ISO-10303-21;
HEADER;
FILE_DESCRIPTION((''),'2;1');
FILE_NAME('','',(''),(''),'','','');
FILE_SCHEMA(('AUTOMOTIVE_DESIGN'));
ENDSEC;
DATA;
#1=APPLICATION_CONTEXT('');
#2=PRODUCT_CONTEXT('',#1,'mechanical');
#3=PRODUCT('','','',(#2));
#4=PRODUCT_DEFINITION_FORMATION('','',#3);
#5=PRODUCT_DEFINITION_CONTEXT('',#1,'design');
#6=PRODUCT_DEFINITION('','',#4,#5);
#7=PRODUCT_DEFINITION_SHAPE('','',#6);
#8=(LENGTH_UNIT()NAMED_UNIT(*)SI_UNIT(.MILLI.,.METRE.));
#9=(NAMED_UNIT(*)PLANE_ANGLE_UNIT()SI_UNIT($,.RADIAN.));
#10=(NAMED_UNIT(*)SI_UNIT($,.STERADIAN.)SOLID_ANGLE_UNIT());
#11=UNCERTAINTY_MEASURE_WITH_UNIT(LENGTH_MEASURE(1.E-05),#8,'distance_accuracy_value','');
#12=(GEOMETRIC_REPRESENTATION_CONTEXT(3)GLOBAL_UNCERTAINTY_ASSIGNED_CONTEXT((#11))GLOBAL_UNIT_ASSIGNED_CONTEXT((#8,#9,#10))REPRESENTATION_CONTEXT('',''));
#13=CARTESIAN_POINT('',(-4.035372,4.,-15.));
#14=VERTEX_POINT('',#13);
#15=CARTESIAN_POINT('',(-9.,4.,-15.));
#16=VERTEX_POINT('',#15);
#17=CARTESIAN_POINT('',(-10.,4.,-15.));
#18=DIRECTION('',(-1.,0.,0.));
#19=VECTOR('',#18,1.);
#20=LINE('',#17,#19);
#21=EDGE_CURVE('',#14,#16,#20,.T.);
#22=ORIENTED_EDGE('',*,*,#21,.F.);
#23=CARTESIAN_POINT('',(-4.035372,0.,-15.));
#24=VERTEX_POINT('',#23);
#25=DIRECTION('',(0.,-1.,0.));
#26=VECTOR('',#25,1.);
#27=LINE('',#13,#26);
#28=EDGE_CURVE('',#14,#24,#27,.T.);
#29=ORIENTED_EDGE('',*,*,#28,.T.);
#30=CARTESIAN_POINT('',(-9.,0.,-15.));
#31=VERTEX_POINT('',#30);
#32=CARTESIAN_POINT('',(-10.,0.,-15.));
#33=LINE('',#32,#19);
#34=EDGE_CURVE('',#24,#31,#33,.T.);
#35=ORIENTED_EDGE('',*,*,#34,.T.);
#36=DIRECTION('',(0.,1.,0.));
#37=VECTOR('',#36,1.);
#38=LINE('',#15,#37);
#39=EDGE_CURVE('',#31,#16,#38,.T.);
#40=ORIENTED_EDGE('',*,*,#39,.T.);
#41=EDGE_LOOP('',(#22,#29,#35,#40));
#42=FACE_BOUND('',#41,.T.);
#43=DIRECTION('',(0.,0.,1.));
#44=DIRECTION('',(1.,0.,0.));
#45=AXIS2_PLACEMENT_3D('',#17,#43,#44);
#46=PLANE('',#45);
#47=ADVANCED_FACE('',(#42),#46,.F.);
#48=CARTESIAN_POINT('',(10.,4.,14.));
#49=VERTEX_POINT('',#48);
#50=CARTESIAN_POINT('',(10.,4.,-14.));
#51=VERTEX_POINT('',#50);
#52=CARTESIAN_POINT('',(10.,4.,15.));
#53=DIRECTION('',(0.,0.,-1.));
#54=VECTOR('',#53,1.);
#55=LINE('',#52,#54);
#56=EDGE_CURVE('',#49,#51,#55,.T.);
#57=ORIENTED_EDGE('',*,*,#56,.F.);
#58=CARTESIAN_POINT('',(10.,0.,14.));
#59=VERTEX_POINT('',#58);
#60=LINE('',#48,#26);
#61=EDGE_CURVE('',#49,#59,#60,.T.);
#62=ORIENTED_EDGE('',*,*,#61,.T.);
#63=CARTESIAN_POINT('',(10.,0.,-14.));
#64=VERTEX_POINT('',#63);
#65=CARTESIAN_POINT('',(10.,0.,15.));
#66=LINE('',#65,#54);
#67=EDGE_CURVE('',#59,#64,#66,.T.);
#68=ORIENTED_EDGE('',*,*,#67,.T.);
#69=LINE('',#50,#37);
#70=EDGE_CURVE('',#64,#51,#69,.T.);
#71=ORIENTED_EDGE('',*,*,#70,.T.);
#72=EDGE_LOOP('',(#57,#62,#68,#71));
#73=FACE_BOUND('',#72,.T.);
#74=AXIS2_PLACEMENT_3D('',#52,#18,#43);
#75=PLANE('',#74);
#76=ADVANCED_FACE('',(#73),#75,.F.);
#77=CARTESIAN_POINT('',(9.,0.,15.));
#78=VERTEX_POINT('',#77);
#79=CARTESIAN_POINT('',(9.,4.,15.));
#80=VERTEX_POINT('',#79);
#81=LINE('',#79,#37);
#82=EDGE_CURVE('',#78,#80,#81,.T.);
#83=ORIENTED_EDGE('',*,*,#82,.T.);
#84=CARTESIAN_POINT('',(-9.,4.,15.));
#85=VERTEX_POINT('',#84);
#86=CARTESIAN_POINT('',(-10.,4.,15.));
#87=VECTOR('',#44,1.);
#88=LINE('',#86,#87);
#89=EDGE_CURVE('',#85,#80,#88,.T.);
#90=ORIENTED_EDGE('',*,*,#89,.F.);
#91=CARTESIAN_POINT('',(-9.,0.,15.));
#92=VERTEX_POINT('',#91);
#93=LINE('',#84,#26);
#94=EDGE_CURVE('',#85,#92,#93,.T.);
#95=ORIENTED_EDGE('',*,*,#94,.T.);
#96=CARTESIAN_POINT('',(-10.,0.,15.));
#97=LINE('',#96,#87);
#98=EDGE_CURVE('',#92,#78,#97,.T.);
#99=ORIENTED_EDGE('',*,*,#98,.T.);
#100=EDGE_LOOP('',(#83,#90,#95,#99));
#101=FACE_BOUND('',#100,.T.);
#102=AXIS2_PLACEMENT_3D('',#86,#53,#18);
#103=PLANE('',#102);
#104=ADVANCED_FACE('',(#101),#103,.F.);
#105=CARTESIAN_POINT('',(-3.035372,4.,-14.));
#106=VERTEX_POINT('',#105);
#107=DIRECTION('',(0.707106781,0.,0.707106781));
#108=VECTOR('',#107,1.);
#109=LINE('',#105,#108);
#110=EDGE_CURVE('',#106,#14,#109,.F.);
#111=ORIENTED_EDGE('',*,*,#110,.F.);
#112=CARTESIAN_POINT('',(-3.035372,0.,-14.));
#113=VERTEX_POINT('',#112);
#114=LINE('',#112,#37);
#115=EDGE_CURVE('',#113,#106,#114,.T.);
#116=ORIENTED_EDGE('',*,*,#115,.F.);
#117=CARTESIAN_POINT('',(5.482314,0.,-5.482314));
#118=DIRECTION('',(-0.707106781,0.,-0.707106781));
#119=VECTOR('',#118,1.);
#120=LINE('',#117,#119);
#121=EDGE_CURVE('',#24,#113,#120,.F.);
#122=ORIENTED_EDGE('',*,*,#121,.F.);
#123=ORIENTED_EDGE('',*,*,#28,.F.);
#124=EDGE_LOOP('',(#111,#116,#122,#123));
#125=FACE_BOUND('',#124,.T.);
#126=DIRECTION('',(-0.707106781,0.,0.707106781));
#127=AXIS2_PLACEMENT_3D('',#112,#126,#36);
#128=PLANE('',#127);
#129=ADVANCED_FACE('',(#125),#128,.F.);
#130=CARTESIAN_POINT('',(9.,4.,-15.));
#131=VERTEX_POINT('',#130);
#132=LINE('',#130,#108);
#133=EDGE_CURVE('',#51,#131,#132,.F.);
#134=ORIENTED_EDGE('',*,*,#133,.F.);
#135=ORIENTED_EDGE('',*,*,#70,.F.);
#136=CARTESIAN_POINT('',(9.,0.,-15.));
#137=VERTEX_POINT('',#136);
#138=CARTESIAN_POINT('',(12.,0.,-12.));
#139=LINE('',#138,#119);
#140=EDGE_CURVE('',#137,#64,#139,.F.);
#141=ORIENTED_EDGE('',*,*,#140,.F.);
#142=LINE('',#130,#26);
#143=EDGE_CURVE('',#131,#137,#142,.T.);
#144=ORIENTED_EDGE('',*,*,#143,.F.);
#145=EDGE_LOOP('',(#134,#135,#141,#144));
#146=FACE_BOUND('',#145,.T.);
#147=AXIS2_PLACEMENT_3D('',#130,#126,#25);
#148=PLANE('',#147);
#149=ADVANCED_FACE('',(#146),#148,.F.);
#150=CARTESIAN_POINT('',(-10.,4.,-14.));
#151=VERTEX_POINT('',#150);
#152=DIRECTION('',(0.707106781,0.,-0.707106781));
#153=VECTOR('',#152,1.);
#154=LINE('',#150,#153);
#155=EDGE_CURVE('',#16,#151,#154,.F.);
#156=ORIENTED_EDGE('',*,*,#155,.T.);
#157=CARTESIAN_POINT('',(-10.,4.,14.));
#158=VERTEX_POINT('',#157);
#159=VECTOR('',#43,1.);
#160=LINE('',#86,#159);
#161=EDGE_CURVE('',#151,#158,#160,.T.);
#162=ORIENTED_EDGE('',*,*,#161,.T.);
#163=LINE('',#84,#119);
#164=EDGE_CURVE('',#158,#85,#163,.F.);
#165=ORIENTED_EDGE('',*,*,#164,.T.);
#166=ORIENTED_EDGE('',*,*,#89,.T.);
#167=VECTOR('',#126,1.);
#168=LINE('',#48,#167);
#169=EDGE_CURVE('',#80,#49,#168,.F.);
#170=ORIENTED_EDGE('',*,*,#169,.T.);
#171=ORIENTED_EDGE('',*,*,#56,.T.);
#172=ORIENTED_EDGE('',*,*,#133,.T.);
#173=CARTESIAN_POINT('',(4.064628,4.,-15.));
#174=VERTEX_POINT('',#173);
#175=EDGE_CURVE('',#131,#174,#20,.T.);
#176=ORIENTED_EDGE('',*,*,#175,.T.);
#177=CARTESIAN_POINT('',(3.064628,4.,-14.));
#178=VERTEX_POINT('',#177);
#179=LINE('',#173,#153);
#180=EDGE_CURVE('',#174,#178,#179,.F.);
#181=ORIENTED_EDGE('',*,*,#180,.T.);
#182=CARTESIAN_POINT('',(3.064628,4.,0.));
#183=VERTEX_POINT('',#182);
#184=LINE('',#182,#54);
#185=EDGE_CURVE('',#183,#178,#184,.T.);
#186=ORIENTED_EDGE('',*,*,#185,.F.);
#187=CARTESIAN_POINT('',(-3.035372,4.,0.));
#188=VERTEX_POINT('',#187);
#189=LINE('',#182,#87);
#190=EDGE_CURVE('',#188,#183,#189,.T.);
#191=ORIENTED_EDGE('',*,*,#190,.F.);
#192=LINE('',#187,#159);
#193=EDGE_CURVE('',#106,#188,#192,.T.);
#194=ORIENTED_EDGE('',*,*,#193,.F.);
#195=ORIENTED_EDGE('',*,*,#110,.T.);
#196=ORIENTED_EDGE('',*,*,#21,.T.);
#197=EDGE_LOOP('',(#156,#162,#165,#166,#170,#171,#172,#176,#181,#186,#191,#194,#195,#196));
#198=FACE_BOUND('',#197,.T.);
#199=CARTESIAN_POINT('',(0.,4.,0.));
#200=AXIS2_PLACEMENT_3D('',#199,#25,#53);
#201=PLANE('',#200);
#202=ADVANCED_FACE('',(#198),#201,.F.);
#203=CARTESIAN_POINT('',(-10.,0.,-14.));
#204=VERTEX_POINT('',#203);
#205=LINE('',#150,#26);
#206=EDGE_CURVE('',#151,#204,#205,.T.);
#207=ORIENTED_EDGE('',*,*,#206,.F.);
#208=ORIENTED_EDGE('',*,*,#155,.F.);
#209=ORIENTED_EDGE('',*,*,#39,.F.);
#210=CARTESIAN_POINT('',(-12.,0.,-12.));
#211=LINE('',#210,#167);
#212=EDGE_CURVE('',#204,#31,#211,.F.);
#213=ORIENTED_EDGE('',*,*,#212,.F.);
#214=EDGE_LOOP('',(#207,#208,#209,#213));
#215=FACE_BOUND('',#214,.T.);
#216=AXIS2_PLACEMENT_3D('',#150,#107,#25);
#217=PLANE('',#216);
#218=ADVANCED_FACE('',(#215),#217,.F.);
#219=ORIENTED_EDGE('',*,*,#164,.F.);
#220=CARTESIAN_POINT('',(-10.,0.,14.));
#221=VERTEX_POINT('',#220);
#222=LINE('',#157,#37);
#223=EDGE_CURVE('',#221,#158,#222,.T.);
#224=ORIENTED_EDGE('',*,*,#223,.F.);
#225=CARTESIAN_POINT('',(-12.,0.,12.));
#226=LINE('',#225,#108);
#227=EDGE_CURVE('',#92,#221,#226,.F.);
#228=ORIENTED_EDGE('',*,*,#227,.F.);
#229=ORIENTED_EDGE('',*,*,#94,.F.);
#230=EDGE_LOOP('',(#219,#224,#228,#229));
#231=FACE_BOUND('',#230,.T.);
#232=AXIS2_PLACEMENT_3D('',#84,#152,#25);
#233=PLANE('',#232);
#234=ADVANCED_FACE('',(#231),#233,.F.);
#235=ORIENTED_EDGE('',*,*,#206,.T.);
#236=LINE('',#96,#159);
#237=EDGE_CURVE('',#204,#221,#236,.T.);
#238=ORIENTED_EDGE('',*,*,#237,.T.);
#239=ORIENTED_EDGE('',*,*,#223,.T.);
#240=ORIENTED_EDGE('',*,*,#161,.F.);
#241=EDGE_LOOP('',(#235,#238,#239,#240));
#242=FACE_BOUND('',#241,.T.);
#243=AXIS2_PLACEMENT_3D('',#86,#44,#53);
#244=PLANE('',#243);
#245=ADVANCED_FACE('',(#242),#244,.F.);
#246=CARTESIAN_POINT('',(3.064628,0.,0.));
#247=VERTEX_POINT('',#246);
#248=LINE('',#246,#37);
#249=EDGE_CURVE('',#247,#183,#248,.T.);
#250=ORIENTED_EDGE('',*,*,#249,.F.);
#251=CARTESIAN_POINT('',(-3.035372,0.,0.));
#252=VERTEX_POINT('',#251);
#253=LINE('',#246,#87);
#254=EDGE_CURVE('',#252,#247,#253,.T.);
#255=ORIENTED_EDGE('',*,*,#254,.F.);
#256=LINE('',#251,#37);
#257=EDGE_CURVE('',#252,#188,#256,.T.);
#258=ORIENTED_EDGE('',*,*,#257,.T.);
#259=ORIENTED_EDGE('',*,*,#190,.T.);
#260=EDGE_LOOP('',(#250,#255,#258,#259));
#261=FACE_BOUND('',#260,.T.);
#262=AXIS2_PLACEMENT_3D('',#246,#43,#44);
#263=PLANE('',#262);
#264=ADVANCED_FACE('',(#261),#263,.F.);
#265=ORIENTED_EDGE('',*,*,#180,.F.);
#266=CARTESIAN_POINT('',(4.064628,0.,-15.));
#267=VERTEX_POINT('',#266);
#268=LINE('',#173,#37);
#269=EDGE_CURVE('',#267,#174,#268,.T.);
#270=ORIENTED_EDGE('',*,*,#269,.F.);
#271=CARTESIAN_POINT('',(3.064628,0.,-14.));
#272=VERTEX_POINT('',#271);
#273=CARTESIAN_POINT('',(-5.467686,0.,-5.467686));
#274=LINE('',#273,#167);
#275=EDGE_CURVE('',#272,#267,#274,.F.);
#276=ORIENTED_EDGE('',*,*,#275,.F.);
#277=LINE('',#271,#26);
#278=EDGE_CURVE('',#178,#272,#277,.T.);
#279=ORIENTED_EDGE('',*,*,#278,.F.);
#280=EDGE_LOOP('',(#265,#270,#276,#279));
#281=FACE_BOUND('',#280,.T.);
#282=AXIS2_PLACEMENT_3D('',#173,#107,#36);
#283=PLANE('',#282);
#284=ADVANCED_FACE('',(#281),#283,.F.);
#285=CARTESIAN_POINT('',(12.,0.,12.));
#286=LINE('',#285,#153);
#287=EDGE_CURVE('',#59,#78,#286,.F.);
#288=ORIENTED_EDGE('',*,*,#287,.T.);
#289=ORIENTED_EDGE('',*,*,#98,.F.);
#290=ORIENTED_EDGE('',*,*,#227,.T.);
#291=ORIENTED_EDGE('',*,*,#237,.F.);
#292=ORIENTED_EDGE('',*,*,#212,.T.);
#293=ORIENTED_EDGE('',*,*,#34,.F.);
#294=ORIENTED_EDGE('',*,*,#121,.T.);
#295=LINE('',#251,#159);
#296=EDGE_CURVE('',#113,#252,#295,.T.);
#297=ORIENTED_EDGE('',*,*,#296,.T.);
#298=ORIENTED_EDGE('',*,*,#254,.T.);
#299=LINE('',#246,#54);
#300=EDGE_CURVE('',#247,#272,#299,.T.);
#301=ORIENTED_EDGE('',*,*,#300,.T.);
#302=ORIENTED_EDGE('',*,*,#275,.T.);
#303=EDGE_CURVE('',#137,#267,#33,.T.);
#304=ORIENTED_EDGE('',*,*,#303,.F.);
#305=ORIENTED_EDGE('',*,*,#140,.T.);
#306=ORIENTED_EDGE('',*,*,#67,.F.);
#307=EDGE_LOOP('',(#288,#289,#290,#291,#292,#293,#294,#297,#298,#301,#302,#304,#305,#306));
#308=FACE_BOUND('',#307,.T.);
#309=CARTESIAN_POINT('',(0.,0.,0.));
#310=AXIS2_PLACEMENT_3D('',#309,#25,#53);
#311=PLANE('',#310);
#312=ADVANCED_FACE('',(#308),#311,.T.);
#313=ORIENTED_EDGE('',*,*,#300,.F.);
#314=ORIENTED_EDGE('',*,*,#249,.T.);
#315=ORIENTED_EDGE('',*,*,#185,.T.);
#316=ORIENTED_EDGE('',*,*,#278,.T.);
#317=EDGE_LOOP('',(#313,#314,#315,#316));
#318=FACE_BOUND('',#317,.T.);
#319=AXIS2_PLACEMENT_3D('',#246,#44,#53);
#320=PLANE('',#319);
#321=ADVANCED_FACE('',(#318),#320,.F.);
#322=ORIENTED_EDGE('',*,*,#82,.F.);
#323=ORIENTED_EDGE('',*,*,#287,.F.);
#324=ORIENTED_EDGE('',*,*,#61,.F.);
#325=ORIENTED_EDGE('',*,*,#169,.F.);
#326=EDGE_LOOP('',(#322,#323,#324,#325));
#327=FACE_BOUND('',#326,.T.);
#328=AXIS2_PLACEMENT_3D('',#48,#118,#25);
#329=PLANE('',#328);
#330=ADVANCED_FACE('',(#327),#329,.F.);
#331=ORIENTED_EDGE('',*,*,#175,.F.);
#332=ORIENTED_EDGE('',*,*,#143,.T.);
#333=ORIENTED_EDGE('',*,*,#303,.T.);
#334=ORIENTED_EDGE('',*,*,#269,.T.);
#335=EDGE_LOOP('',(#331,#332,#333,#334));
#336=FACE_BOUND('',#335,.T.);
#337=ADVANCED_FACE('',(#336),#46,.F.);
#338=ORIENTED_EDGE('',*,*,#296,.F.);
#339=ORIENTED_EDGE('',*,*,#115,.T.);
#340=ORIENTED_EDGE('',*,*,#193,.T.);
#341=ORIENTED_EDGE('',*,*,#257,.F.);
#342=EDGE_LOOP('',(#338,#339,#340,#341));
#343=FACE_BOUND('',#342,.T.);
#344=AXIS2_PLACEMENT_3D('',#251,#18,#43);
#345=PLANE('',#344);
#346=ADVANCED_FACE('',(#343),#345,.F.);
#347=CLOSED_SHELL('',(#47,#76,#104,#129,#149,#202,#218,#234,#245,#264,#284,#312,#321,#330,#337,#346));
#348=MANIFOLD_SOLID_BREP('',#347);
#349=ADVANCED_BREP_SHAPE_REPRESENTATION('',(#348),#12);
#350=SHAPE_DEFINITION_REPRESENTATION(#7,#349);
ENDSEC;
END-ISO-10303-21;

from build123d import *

# Parameters (mm, degrees)
SKIZZE1_W                       = 20
SKIZZE1_H                       = 30
AUFSATZ_LINEAR_AUSTRAGEN1_DEPTH = 4
SKIZZE2_W                       = 6.1
SKIZZE2_H                       = 15
SCHNITT_LINEAR_AUSTRAGEN1_DEPTH = 5
FASE1_SIZE                      = 1


with BuildPart() as part:
    # Skizze1 → Aufsatz-Linear austragen1 (new body)
    with BuildSketch(Plane(origin=(0, 0, 0), x_dir=(1, 0, 0), z_dir=(0, 1, 0))):
        Rectangle(SKIZZE1_W, SKIZZE1_H)
    extrude(amount=AUFSATZ_LINEAR_AUSTRAGEN1_DEPTH)

    # Skizze2 → Schnitt-Linear austragen1 (cut, through all)
    with BuildSketch(Plane(origin=(0, 4, 0), x_dir=(1, 0, 0), z_dir=(0, 1, 0))):
        with Locations((0.014627906, 7.5)):
            Rectangle(SKIZZE2_W, SKIZZE2_H)
    extrude(amount=-SCHNITT_LINEAR_AUSTRAGEN1_DEPTH, mode=Mode.SUBTRACT)

    # Fase1
    fase1_edges = [part.edges().sort_by_distance(p)[0] for p in [
        (-3.035372094, 2, -15),
        (3.064627906, 2, -15),
        (10, 2, 15),
        (-10, 2, 15),
        (-10, 2, -15),
        (10, 2, -15),
    ]]
    chamfer(fase1_edges, length=FASE1_SIZE)


solid = part.part
